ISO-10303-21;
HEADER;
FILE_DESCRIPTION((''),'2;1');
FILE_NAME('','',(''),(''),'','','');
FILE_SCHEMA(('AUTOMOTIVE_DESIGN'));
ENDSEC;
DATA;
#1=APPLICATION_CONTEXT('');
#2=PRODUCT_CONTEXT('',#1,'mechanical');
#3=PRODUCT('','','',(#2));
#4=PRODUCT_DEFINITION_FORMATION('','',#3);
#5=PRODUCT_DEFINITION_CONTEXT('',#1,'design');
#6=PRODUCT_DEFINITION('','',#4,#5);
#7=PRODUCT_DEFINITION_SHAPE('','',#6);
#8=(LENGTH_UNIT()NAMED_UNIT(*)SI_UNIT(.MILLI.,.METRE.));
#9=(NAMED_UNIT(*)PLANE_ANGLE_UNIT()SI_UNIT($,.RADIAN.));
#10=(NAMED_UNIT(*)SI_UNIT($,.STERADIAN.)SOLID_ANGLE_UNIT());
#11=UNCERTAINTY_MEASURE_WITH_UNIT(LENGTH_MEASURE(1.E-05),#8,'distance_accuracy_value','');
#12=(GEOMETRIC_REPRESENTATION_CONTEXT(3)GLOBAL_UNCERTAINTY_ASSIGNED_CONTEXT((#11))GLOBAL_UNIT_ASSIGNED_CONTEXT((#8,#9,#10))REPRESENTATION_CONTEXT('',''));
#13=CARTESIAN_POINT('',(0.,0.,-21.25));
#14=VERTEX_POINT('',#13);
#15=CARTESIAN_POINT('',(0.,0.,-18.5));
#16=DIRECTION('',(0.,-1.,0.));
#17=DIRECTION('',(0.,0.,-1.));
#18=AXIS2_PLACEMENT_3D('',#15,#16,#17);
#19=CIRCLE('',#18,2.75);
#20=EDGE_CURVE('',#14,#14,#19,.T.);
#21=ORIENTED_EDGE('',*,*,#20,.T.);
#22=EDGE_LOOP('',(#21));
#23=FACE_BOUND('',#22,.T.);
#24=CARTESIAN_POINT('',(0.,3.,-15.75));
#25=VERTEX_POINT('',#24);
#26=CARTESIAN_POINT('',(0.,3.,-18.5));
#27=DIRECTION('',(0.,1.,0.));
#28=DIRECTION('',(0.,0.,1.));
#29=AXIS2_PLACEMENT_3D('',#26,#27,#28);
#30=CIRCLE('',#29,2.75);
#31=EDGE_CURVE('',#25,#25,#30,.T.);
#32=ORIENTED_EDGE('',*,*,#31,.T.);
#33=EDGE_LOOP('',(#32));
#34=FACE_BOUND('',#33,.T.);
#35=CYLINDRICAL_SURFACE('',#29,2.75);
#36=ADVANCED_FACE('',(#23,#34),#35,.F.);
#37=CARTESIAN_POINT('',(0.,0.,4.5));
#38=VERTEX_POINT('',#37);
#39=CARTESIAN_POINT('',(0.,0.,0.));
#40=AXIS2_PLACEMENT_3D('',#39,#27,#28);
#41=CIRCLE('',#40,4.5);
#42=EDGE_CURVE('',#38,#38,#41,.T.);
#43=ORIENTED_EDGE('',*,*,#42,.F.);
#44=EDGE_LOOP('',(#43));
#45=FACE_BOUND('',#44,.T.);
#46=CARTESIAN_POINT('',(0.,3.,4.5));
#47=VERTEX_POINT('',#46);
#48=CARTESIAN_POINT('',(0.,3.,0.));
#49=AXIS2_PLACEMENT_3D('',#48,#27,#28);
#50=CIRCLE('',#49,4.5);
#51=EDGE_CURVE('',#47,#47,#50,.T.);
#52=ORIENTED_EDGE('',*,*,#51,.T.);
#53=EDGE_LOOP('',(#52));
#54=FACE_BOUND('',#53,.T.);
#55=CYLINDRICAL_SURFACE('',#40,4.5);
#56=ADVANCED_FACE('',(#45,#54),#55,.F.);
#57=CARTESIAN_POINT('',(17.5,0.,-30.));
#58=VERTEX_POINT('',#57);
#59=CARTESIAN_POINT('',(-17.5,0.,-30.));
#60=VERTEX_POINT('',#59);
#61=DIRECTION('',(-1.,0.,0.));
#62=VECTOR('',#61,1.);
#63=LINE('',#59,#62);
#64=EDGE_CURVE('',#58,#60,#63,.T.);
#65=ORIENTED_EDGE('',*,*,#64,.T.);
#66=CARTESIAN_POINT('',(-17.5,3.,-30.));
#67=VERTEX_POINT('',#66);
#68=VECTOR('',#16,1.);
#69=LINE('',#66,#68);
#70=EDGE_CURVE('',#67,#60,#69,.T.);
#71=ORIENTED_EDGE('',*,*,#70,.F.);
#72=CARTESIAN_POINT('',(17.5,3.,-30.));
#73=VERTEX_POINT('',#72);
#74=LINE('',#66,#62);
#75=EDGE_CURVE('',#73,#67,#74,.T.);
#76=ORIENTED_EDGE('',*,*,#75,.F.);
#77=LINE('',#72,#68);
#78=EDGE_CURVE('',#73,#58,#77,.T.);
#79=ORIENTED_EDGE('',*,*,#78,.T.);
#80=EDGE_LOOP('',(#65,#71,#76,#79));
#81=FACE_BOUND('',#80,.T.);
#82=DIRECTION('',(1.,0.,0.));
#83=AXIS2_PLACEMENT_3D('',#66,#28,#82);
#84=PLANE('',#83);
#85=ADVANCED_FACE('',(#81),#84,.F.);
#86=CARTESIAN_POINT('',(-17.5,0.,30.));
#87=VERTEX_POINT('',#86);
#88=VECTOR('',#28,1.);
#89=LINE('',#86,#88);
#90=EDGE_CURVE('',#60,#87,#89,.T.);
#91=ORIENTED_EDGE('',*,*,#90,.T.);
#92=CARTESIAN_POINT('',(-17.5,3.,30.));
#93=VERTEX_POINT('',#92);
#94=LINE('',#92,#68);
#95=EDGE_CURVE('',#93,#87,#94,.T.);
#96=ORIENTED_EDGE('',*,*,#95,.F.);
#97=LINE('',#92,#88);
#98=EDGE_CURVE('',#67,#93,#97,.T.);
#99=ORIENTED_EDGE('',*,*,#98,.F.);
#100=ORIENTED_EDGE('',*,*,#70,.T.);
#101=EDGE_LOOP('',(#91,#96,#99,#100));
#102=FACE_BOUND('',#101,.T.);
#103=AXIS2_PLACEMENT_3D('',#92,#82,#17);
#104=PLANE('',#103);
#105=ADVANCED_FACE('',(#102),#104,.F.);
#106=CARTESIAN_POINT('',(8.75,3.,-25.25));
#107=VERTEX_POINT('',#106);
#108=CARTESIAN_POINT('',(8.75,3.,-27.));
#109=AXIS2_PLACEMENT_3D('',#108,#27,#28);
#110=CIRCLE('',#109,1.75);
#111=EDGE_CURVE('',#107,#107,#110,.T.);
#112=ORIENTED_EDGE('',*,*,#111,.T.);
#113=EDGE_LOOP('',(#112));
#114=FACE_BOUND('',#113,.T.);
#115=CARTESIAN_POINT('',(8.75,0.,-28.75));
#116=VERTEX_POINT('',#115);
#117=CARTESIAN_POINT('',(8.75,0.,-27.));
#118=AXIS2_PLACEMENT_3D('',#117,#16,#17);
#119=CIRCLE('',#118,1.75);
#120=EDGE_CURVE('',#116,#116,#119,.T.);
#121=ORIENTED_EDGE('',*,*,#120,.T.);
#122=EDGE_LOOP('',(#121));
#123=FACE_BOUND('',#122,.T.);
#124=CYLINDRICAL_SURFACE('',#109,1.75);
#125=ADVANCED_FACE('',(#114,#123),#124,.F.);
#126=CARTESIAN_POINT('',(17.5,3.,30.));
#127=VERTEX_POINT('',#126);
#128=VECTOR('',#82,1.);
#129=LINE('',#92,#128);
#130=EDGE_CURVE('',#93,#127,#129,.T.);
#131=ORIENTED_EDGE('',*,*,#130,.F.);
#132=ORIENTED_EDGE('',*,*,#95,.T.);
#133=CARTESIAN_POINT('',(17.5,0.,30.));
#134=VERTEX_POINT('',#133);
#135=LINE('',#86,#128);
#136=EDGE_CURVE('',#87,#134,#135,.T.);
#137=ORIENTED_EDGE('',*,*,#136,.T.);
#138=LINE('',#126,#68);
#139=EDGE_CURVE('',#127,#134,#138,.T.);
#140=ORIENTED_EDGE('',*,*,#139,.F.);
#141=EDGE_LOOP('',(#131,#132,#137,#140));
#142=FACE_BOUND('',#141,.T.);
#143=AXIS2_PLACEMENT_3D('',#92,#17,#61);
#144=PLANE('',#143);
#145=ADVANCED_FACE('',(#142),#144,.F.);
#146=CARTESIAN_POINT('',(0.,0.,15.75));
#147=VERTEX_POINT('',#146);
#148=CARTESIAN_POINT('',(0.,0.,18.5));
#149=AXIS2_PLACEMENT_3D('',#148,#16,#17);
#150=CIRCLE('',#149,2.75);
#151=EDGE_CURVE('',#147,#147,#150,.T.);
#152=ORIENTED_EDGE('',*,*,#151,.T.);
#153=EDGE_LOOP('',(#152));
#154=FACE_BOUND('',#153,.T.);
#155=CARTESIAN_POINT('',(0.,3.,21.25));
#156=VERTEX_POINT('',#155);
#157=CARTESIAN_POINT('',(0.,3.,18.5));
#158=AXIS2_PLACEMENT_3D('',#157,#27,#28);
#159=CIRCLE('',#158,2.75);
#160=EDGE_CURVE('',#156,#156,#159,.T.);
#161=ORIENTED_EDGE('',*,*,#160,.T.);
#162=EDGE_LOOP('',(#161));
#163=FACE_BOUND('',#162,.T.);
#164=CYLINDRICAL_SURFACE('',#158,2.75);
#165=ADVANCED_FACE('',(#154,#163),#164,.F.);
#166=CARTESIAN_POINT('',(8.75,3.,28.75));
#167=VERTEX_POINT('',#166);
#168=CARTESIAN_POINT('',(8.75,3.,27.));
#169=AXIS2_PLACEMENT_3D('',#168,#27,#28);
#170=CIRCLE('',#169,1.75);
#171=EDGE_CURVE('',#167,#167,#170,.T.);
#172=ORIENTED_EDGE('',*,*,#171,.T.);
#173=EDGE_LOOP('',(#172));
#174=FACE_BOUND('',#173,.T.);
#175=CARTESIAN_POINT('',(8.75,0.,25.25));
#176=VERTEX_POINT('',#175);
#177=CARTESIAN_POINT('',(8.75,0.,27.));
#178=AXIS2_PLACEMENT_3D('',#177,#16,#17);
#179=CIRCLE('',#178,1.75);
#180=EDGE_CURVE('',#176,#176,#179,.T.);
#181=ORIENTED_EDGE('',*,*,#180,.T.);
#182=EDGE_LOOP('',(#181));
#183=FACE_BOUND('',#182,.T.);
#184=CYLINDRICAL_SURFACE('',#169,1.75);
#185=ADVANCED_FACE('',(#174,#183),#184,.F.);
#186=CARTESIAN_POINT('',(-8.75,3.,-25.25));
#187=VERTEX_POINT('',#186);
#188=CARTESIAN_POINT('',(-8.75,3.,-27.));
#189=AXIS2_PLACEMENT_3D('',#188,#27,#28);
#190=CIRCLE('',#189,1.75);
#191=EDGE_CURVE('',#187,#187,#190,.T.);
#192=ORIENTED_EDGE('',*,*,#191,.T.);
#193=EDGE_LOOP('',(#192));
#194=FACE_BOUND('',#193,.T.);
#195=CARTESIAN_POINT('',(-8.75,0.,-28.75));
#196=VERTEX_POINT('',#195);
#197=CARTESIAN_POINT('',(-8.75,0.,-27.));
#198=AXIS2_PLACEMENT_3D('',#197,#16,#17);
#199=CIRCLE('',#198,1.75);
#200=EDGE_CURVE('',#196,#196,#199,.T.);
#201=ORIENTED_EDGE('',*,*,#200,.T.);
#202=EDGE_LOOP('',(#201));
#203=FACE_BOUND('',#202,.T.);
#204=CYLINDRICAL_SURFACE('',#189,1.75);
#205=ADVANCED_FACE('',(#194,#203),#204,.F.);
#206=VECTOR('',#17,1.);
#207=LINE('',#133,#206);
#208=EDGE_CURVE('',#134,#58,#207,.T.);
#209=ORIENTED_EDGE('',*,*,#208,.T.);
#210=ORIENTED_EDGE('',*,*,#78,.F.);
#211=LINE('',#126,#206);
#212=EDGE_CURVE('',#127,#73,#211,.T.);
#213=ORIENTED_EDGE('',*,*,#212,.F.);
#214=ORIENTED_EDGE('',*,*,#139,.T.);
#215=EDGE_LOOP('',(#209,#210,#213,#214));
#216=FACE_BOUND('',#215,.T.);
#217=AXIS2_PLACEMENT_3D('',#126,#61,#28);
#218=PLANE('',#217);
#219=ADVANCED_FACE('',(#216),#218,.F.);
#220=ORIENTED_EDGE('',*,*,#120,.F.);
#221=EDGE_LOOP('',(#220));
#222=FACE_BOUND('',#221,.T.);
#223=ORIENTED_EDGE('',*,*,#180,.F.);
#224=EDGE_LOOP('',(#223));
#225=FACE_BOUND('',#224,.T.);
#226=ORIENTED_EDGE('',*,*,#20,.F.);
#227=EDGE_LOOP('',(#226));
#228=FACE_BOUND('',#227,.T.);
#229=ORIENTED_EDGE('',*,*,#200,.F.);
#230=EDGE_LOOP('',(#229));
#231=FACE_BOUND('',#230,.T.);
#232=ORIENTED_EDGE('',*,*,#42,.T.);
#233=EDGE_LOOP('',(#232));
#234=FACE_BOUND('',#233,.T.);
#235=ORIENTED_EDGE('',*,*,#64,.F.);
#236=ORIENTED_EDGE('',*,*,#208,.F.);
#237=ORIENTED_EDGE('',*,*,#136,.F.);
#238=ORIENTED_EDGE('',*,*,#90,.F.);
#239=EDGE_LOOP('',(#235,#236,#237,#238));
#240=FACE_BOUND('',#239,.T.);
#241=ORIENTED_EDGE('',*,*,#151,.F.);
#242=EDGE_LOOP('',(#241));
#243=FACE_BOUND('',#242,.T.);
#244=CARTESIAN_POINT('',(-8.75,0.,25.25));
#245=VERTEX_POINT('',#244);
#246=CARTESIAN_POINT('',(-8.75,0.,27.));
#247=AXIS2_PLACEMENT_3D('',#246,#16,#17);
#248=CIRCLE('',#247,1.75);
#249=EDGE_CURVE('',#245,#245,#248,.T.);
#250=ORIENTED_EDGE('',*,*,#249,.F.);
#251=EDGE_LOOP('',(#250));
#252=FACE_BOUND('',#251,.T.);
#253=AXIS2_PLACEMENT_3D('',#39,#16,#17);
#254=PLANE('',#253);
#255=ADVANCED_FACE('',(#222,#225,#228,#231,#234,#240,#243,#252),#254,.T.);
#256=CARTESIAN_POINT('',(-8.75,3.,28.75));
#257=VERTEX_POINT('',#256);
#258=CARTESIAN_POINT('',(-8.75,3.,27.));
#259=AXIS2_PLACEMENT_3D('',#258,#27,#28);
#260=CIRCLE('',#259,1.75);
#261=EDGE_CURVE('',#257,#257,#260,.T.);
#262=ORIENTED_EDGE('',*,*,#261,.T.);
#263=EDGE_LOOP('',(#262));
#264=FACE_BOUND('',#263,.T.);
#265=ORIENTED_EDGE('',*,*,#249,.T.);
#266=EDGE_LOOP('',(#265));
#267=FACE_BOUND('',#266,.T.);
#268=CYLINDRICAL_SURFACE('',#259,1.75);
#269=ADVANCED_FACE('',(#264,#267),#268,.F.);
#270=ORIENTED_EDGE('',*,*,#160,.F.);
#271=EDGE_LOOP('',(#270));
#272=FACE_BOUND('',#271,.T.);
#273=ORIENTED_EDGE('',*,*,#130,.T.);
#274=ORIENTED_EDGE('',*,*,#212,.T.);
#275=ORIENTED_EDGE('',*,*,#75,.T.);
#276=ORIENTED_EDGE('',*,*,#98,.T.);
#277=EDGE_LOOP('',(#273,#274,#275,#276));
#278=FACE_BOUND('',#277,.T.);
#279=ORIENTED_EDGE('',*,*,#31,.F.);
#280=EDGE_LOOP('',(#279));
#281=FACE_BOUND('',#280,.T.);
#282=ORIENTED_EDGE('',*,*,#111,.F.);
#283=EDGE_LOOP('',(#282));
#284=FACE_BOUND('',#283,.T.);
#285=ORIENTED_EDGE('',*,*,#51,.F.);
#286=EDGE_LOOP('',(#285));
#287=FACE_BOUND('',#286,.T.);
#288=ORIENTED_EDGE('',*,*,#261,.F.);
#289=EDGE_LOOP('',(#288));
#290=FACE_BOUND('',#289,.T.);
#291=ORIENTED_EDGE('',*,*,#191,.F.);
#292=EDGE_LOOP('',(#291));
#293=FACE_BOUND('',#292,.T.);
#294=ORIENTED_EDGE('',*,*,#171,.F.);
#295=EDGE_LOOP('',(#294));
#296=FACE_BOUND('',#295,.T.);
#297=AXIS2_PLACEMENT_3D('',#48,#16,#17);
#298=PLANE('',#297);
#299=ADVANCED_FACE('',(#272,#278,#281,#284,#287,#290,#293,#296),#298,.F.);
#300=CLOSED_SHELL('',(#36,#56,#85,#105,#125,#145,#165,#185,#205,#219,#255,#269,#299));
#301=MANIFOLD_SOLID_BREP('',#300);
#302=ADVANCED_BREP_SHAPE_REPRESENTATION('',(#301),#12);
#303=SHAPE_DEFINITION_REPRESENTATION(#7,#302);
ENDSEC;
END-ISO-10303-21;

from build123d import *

# Parameters (mm, degrees)
SKETCH_1_W          = 35
SKETCH_1_H          = 60
EXTRUDE_1_DEPTH     = 3
HOLE_WIZARD_1_D     = 3.5
HOLE_WIZARD_2_D     = 5.5
SKETCH_8_R          = 4.5
CUT_EXTRUDE_1_DEPTH = 3


with BuildPart() as part:
    # 草图1 → 凸台-拉伸1 (new body)
    with BuildSketch(Plane(origin=(0, 0, 0), x_dir=(1, 0, 0), z_dir=(0, 1, 0))):
        Rectangle(SKETCH_1_W, SKETCH_1_H)
    extrude(amount=EXTRUDE_1_DEPTH)

    # 孔1 (through all)
    with Locations(Plane(origin=(0, 3, 0), x_dir=(1, 0, 0), z_dir=(0, 1, 0))):
        with Locations((-8.75, 27), (8.75, 27), (8.75, -27), (-8.75, -27)):
            Hole(HOLE_WIZARD_1_D / 2)

    # 孔2 (through all)
    with Locations(Plane(origin=(0, 3, 0), x_dir=(1, 0, 0), z_dir=(0, 1, 0))):
        with Locations((0, 18.5), (0, -18.5)):
            Hole(HOLE_WIZARD_2_D / 2)

    # 草图8 → 切除-拉伸1 (cut)
    with BuildSketch(Plane(origin=(0, 3, 0), x_dir=(1, 0, 0), z_dir=(0, 1, 0))):
        with Locations(Location((0, 0, 0), (0, 0, 270))):
            Circle(SKETCH_8_R)
    extrude(amount=-CUT_EXTRUDE_1_DEPTH, mode=Mode.SUBTRACT)


solid = part.part
